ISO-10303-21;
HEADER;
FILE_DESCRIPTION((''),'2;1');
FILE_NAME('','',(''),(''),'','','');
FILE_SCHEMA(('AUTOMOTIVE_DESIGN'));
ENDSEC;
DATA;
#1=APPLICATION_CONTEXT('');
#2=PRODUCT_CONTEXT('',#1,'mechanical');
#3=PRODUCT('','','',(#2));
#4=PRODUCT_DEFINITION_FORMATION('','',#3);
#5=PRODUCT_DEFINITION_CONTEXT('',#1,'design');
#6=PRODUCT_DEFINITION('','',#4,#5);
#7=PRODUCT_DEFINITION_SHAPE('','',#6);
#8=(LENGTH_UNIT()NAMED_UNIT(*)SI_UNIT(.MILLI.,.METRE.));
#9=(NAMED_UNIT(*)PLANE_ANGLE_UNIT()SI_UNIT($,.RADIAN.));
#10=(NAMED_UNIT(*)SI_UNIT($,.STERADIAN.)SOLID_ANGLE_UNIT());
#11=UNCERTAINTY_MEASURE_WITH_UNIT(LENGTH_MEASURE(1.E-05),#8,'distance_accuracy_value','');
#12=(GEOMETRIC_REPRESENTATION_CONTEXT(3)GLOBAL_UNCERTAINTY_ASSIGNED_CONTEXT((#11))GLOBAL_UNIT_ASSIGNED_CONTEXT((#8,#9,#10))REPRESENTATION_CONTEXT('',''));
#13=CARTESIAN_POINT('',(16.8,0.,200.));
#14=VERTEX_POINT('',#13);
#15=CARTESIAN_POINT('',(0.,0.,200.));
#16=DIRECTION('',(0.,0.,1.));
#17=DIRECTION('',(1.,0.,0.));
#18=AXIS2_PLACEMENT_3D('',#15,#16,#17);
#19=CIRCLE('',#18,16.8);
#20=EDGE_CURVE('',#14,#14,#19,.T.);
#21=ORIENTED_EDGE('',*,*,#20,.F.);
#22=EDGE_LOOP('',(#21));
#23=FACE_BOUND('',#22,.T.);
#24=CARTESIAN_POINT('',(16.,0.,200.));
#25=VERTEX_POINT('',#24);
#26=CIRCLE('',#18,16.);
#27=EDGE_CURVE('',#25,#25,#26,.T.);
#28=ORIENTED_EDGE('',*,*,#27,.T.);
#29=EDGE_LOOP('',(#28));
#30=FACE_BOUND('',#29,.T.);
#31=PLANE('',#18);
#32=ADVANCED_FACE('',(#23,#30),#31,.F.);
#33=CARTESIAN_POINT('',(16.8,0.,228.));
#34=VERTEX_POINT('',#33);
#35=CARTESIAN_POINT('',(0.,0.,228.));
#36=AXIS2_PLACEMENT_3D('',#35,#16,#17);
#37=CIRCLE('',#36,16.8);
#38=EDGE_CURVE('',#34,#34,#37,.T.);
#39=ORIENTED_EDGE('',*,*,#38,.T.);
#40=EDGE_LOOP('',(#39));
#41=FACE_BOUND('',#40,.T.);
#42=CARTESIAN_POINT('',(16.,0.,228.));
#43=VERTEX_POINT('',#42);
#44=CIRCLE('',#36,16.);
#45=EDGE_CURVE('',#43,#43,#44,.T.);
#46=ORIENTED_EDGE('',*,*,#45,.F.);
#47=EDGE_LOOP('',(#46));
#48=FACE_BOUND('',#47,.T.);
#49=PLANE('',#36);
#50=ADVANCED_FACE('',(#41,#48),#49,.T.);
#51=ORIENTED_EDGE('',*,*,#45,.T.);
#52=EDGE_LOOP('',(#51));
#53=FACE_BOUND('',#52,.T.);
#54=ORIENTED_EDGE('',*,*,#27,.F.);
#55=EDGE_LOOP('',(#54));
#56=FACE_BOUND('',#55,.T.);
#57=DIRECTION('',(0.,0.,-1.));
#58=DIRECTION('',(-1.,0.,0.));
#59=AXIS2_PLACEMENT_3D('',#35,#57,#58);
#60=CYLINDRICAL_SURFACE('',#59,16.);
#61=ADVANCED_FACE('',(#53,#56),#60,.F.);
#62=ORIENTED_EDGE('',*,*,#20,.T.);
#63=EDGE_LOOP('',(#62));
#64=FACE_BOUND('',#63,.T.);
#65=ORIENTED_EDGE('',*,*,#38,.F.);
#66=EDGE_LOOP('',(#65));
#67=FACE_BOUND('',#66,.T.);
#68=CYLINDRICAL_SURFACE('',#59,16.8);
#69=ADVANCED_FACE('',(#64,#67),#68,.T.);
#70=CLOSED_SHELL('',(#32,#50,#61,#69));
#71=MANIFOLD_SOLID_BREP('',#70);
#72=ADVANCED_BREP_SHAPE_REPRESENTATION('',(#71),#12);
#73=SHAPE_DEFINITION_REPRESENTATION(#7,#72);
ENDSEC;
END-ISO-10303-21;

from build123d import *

# Parameters (mm, degrees)
EXTRUDE_START        = 200
EXTRUDE_SKETCH_1_R   = 16.8
EXTRUDE_SKETCH_1_R_2 = 16
EXTRUDE_1_DEPTH      = 28


with BuildPart() as part:
    # Extrude sketch 1 → Extrude 1 (new body)
    with BuildSketch(Plane.XY.offset(EXTRUDE_START)):
        Circle(EXTRUDE_SKETCH_1_R)
        Circle(EXTRUDE_SKETCH_1_R_2, mode=Mode.SUBTRACT)
    extrude(amount=EXTRUDE_1_DEPTH)


solid = part.part
